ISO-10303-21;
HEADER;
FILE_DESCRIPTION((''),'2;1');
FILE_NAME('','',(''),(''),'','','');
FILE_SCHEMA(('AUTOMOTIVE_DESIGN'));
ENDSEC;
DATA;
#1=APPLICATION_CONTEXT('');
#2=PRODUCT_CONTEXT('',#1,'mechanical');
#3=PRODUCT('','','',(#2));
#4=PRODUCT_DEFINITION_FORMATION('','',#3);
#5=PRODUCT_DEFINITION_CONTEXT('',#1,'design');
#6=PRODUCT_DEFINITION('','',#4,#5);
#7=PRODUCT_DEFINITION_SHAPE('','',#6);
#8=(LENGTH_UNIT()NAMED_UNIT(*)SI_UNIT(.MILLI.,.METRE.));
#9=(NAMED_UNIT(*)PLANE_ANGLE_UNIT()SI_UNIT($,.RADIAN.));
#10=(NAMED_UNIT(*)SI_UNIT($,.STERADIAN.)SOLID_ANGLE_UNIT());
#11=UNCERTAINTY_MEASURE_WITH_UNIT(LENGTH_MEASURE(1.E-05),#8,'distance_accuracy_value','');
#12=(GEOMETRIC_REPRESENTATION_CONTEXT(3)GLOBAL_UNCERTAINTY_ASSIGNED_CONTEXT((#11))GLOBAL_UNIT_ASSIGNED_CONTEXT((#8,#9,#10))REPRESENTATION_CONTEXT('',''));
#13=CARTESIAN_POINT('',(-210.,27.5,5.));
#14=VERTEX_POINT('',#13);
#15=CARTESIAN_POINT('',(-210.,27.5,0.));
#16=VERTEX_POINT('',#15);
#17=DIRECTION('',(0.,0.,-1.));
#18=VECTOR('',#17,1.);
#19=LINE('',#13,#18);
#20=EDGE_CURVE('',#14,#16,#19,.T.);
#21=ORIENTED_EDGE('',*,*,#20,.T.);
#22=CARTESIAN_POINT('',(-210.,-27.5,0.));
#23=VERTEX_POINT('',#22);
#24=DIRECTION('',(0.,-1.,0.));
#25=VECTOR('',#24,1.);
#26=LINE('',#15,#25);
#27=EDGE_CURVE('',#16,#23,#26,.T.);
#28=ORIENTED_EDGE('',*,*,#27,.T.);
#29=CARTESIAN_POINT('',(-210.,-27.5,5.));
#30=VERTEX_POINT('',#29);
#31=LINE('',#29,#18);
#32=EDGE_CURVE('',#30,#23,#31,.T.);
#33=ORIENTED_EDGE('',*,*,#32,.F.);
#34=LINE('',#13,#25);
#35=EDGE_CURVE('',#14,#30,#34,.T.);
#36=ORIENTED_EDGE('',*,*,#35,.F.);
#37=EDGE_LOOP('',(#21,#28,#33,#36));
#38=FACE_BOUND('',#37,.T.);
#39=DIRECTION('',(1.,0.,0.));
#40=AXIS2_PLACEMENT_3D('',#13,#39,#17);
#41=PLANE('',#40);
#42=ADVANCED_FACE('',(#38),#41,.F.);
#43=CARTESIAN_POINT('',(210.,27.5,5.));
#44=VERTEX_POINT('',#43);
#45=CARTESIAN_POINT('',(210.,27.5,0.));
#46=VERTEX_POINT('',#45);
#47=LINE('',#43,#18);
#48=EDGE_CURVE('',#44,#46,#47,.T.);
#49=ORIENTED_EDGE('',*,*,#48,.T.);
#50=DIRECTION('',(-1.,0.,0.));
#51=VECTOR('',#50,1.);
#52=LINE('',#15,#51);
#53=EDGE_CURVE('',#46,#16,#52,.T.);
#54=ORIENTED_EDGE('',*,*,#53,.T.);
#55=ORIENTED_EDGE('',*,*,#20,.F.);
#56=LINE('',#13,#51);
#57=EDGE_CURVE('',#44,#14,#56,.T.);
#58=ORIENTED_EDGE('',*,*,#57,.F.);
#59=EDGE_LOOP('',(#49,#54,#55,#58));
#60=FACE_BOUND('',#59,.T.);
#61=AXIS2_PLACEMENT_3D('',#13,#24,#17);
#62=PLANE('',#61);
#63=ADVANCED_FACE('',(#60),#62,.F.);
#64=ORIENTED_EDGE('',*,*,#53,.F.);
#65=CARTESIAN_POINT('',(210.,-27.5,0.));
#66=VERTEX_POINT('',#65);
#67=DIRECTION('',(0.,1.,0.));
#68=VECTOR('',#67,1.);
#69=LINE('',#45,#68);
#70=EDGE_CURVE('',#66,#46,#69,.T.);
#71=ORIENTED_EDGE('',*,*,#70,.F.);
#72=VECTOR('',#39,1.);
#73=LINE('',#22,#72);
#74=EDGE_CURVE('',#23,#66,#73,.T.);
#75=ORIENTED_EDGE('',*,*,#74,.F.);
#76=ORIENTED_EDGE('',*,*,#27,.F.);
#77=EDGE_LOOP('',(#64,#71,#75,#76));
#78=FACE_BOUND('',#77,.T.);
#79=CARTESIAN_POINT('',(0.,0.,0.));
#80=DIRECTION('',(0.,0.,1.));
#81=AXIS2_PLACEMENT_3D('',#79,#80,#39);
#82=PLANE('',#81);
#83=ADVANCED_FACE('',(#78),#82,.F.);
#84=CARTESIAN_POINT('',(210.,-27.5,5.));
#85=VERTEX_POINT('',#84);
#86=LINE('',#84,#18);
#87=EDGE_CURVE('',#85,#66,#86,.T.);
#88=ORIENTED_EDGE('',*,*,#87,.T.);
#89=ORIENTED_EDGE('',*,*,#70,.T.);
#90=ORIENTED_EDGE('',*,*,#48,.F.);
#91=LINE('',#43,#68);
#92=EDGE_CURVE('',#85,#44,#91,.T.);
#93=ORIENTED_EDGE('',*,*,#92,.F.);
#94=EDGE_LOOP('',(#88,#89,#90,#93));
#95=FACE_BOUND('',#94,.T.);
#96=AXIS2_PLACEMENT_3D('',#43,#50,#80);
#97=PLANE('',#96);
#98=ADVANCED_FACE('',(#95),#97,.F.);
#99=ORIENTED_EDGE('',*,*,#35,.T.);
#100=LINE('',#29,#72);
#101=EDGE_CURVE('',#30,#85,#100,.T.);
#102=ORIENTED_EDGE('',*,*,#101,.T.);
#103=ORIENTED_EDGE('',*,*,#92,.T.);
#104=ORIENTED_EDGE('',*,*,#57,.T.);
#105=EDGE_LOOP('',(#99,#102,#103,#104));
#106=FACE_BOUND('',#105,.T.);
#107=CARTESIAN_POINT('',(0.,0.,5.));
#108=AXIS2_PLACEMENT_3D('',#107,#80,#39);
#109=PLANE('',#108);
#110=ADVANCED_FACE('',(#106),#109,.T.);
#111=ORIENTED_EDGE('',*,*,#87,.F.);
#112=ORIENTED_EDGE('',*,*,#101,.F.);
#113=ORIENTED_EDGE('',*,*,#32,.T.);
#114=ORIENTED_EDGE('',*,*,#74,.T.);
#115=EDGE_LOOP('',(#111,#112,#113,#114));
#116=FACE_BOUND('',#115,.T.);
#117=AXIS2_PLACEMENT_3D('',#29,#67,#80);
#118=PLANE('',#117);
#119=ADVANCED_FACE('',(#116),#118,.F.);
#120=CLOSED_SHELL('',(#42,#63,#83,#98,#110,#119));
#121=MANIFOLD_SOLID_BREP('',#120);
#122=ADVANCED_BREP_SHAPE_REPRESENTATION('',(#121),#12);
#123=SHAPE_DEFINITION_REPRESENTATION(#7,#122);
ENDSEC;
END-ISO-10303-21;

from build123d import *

# Parameters (mm, degrees)
SKETCH_1_W      = 420
SKETCH_1_H      = 55
EXTRUDE_1_DEPTH = 5


with BuildPart() as part:
    # 스케치1 → 보스-돌출1 (new body)
    with BuildSketch(Plane.XY):
        Rectangle(SKETCH_1_W, SKETCH_1_H)
    extrude(amount=EXTRUDE_1_DEPTH)


solid = part.part
